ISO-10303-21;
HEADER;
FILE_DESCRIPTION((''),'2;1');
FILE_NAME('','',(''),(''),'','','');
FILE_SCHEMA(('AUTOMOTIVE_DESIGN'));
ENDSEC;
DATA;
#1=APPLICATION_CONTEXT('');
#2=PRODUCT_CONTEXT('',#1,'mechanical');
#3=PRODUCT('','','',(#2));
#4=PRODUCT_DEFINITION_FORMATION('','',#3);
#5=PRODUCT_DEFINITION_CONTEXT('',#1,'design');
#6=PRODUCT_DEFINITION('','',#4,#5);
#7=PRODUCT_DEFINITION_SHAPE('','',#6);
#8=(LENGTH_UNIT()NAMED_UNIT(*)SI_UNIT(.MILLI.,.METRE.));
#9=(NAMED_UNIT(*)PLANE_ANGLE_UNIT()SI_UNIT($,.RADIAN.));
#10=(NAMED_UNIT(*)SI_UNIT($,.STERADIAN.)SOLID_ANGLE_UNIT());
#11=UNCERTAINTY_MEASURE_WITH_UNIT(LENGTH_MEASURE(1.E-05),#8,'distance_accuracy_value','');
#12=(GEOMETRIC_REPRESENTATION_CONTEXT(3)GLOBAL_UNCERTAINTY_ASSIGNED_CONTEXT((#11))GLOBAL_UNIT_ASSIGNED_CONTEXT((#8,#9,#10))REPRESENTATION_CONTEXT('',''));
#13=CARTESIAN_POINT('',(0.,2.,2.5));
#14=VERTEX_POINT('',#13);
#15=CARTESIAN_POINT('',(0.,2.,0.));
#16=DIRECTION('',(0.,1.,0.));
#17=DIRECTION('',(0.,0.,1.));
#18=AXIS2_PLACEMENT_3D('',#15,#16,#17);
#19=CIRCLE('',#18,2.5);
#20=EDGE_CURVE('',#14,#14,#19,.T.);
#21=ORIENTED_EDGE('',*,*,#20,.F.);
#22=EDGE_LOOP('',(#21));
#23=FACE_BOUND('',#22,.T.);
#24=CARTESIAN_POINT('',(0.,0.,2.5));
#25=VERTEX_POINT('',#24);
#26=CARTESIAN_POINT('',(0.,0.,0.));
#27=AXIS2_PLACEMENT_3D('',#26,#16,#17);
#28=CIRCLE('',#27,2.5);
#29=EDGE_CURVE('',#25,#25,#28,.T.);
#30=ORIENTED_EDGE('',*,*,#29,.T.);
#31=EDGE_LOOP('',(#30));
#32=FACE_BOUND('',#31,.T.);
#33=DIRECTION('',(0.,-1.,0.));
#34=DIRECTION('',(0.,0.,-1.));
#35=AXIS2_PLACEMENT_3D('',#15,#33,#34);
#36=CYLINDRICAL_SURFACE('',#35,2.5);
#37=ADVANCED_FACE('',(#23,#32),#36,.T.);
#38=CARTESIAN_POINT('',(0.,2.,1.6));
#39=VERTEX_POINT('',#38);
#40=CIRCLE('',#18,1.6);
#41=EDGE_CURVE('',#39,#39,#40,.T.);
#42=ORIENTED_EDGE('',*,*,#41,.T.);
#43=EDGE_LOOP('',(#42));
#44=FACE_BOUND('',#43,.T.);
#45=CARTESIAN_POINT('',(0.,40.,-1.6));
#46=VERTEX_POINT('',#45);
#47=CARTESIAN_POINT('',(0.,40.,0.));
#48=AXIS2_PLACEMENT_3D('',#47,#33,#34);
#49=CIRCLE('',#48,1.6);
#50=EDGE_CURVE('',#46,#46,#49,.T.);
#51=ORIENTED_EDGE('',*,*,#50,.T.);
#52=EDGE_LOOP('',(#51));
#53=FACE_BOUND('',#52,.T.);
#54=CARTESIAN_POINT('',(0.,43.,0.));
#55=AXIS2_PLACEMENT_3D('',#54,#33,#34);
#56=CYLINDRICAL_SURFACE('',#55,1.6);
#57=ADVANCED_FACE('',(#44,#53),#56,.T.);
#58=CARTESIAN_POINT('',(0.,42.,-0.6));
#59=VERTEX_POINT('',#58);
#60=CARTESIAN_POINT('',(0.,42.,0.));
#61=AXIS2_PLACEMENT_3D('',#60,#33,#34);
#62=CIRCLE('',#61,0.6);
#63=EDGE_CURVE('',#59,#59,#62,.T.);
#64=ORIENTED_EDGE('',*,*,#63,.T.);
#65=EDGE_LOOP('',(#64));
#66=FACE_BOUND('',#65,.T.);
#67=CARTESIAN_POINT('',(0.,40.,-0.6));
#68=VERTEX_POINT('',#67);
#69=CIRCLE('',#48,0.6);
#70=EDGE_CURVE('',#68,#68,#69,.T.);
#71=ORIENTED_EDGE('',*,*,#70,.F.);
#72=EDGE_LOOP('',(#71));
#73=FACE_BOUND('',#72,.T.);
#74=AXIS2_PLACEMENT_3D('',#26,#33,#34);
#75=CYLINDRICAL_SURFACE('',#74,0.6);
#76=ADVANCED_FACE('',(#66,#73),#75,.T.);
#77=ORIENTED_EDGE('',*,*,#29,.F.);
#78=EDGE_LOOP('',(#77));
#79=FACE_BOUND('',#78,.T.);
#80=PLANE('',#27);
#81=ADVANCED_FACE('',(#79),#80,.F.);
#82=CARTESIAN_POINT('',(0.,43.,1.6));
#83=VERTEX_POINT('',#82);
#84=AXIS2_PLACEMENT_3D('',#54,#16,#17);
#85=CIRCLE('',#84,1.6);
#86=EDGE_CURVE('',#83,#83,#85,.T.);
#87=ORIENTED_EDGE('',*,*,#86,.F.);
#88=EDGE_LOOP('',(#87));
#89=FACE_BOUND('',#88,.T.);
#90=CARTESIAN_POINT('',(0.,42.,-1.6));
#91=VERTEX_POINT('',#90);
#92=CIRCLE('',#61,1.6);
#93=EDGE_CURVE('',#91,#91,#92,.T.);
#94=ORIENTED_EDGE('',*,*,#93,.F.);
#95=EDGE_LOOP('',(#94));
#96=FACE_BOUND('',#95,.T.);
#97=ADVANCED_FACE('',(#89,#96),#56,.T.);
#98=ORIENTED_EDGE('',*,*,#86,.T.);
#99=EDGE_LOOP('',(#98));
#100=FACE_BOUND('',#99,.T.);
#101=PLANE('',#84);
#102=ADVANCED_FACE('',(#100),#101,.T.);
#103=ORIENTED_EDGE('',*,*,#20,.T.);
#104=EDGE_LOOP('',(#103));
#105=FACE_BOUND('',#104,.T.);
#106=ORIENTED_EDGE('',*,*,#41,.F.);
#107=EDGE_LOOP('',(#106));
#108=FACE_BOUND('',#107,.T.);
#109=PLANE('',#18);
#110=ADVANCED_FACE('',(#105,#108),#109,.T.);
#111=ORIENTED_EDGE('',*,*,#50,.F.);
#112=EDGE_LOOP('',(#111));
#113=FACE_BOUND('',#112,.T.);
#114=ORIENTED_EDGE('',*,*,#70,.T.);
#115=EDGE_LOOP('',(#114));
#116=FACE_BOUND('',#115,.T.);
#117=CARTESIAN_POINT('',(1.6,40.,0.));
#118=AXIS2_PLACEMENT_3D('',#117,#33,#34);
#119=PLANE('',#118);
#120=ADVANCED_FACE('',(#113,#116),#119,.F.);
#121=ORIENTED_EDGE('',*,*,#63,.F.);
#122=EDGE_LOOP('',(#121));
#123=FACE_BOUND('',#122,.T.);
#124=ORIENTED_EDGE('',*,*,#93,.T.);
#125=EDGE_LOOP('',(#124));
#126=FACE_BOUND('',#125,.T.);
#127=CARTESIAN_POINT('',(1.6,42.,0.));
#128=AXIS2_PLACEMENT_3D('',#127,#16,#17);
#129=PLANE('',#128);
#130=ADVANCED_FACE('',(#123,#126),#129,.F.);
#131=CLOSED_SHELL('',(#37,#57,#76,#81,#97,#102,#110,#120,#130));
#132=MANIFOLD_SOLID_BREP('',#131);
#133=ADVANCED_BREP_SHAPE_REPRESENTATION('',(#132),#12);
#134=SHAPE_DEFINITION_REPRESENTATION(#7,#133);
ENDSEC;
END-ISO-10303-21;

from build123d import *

# Parameters (mm, degrees)
SKETCH1_R           = 1.6
BOSS_EXTRUDE1_DEPTH = 43
SKETCH2_W           = 1
SKETCH2_H           = 2
SKETCH3_R           = 2.5
BOSS_EXTRUDE2_DEPTH = 2


with BuildPart() as part:
    # Sketch1 → Boss-Extrude1 (new body)
    with BuildSketch(Plane(origin=(0, 0, 0), x_dir=(1, 0, 0), z_dir=(0, 1, 0))):
        with Locations(Location((0, 0, 0), (0, 0, 270))):
            Circle(SKETCH1_R)
    extrude(amount=BOSS_EXTRUDE1_DEPTH)

    # Sketch2 → Cut-Revolve1 (revolve, cut)
    with BuildSketch(Plane.XY, mode=Mode.PRIVATE) as cut_revolve1_sk:
        with Locations((1.1, 41)):
            Rectangle(SKETCH2_W, SKETCH2_H)
    revolve(cut_revolve1_sk.sketch.rotate(Axis((0, 0, 0), (0, 1, 0)), 90), axis=Axis((0, 0, 0), (0, 1, 0)), mode=Mode.SUBTRACT)

    # Sketch3 → Boss-Extrude2 (add)
    with BuildSketch(Plane(origin=(0, 0, 0), x_dir=(1, 0, 0), z_dir=(0, 1, 0))):
        with Locations(Location((0, 0, 0), (0, 0, 270))):
            Circle(SKETCH3_R)
    extrude(amount=BOSS_EXTRUDE2_DEPTH)


solid = part.part
